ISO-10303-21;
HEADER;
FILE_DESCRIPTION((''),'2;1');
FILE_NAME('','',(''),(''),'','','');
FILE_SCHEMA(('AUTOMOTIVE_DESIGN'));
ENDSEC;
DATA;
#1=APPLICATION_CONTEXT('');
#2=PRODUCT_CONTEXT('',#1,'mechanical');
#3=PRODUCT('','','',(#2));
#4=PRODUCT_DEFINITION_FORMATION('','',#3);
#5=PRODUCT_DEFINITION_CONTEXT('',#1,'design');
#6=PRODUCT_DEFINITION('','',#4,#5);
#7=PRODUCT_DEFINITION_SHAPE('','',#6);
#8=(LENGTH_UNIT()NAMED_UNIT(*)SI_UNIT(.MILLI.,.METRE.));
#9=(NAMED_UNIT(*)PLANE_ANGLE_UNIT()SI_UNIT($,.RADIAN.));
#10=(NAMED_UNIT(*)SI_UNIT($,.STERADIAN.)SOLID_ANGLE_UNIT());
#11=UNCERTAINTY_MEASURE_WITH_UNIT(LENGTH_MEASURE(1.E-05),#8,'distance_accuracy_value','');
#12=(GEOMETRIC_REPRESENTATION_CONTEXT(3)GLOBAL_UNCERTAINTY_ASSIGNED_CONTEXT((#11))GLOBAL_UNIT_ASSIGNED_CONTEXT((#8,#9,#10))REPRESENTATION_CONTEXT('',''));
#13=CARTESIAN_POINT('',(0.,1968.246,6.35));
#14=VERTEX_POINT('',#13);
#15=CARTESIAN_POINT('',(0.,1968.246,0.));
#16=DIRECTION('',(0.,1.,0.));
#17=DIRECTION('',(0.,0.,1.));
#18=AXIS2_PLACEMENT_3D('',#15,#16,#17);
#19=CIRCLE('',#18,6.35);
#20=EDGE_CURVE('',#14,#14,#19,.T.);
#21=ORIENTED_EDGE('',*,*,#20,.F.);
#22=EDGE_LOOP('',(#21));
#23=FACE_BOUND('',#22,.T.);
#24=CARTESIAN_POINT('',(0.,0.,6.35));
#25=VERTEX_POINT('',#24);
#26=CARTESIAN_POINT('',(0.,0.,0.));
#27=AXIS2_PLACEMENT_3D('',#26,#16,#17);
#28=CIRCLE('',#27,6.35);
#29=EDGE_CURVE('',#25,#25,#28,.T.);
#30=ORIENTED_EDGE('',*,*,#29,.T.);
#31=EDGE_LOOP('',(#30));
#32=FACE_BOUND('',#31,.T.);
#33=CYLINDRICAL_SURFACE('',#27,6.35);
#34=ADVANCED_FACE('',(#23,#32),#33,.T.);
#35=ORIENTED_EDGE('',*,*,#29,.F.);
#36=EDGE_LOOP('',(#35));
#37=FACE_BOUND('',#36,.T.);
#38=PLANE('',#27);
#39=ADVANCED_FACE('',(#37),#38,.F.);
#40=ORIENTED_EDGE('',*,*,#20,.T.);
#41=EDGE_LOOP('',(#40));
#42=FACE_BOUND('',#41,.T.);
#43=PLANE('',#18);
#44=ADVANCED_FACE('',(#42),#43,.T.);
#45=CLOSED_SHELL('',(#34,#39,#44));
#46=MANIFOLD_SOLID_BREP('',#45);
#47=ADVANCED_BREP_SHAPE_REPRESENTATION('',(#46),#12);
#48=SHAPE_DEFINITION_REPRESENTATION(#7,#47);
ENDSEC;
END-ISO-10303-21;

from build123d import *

# Parameters (mm, degrees)
SWEEP1_PROFILE_R = 6.35


with BuildPart() as part:
    # Sweep1: sweep along a path in Sketch1
    with BuildLine(Plane.XY) as sweep1_path:
        Line((0, 0), (0, 1968.246))
    # Sweep1 profile (on start of the path) → Sweep1 (sweep)
    with BuildSketch(Plane.ZX):
        Circle(SWEEP1_PROFILE_R)
    sweep(path=sweep1_path.line)


solid = part.part
